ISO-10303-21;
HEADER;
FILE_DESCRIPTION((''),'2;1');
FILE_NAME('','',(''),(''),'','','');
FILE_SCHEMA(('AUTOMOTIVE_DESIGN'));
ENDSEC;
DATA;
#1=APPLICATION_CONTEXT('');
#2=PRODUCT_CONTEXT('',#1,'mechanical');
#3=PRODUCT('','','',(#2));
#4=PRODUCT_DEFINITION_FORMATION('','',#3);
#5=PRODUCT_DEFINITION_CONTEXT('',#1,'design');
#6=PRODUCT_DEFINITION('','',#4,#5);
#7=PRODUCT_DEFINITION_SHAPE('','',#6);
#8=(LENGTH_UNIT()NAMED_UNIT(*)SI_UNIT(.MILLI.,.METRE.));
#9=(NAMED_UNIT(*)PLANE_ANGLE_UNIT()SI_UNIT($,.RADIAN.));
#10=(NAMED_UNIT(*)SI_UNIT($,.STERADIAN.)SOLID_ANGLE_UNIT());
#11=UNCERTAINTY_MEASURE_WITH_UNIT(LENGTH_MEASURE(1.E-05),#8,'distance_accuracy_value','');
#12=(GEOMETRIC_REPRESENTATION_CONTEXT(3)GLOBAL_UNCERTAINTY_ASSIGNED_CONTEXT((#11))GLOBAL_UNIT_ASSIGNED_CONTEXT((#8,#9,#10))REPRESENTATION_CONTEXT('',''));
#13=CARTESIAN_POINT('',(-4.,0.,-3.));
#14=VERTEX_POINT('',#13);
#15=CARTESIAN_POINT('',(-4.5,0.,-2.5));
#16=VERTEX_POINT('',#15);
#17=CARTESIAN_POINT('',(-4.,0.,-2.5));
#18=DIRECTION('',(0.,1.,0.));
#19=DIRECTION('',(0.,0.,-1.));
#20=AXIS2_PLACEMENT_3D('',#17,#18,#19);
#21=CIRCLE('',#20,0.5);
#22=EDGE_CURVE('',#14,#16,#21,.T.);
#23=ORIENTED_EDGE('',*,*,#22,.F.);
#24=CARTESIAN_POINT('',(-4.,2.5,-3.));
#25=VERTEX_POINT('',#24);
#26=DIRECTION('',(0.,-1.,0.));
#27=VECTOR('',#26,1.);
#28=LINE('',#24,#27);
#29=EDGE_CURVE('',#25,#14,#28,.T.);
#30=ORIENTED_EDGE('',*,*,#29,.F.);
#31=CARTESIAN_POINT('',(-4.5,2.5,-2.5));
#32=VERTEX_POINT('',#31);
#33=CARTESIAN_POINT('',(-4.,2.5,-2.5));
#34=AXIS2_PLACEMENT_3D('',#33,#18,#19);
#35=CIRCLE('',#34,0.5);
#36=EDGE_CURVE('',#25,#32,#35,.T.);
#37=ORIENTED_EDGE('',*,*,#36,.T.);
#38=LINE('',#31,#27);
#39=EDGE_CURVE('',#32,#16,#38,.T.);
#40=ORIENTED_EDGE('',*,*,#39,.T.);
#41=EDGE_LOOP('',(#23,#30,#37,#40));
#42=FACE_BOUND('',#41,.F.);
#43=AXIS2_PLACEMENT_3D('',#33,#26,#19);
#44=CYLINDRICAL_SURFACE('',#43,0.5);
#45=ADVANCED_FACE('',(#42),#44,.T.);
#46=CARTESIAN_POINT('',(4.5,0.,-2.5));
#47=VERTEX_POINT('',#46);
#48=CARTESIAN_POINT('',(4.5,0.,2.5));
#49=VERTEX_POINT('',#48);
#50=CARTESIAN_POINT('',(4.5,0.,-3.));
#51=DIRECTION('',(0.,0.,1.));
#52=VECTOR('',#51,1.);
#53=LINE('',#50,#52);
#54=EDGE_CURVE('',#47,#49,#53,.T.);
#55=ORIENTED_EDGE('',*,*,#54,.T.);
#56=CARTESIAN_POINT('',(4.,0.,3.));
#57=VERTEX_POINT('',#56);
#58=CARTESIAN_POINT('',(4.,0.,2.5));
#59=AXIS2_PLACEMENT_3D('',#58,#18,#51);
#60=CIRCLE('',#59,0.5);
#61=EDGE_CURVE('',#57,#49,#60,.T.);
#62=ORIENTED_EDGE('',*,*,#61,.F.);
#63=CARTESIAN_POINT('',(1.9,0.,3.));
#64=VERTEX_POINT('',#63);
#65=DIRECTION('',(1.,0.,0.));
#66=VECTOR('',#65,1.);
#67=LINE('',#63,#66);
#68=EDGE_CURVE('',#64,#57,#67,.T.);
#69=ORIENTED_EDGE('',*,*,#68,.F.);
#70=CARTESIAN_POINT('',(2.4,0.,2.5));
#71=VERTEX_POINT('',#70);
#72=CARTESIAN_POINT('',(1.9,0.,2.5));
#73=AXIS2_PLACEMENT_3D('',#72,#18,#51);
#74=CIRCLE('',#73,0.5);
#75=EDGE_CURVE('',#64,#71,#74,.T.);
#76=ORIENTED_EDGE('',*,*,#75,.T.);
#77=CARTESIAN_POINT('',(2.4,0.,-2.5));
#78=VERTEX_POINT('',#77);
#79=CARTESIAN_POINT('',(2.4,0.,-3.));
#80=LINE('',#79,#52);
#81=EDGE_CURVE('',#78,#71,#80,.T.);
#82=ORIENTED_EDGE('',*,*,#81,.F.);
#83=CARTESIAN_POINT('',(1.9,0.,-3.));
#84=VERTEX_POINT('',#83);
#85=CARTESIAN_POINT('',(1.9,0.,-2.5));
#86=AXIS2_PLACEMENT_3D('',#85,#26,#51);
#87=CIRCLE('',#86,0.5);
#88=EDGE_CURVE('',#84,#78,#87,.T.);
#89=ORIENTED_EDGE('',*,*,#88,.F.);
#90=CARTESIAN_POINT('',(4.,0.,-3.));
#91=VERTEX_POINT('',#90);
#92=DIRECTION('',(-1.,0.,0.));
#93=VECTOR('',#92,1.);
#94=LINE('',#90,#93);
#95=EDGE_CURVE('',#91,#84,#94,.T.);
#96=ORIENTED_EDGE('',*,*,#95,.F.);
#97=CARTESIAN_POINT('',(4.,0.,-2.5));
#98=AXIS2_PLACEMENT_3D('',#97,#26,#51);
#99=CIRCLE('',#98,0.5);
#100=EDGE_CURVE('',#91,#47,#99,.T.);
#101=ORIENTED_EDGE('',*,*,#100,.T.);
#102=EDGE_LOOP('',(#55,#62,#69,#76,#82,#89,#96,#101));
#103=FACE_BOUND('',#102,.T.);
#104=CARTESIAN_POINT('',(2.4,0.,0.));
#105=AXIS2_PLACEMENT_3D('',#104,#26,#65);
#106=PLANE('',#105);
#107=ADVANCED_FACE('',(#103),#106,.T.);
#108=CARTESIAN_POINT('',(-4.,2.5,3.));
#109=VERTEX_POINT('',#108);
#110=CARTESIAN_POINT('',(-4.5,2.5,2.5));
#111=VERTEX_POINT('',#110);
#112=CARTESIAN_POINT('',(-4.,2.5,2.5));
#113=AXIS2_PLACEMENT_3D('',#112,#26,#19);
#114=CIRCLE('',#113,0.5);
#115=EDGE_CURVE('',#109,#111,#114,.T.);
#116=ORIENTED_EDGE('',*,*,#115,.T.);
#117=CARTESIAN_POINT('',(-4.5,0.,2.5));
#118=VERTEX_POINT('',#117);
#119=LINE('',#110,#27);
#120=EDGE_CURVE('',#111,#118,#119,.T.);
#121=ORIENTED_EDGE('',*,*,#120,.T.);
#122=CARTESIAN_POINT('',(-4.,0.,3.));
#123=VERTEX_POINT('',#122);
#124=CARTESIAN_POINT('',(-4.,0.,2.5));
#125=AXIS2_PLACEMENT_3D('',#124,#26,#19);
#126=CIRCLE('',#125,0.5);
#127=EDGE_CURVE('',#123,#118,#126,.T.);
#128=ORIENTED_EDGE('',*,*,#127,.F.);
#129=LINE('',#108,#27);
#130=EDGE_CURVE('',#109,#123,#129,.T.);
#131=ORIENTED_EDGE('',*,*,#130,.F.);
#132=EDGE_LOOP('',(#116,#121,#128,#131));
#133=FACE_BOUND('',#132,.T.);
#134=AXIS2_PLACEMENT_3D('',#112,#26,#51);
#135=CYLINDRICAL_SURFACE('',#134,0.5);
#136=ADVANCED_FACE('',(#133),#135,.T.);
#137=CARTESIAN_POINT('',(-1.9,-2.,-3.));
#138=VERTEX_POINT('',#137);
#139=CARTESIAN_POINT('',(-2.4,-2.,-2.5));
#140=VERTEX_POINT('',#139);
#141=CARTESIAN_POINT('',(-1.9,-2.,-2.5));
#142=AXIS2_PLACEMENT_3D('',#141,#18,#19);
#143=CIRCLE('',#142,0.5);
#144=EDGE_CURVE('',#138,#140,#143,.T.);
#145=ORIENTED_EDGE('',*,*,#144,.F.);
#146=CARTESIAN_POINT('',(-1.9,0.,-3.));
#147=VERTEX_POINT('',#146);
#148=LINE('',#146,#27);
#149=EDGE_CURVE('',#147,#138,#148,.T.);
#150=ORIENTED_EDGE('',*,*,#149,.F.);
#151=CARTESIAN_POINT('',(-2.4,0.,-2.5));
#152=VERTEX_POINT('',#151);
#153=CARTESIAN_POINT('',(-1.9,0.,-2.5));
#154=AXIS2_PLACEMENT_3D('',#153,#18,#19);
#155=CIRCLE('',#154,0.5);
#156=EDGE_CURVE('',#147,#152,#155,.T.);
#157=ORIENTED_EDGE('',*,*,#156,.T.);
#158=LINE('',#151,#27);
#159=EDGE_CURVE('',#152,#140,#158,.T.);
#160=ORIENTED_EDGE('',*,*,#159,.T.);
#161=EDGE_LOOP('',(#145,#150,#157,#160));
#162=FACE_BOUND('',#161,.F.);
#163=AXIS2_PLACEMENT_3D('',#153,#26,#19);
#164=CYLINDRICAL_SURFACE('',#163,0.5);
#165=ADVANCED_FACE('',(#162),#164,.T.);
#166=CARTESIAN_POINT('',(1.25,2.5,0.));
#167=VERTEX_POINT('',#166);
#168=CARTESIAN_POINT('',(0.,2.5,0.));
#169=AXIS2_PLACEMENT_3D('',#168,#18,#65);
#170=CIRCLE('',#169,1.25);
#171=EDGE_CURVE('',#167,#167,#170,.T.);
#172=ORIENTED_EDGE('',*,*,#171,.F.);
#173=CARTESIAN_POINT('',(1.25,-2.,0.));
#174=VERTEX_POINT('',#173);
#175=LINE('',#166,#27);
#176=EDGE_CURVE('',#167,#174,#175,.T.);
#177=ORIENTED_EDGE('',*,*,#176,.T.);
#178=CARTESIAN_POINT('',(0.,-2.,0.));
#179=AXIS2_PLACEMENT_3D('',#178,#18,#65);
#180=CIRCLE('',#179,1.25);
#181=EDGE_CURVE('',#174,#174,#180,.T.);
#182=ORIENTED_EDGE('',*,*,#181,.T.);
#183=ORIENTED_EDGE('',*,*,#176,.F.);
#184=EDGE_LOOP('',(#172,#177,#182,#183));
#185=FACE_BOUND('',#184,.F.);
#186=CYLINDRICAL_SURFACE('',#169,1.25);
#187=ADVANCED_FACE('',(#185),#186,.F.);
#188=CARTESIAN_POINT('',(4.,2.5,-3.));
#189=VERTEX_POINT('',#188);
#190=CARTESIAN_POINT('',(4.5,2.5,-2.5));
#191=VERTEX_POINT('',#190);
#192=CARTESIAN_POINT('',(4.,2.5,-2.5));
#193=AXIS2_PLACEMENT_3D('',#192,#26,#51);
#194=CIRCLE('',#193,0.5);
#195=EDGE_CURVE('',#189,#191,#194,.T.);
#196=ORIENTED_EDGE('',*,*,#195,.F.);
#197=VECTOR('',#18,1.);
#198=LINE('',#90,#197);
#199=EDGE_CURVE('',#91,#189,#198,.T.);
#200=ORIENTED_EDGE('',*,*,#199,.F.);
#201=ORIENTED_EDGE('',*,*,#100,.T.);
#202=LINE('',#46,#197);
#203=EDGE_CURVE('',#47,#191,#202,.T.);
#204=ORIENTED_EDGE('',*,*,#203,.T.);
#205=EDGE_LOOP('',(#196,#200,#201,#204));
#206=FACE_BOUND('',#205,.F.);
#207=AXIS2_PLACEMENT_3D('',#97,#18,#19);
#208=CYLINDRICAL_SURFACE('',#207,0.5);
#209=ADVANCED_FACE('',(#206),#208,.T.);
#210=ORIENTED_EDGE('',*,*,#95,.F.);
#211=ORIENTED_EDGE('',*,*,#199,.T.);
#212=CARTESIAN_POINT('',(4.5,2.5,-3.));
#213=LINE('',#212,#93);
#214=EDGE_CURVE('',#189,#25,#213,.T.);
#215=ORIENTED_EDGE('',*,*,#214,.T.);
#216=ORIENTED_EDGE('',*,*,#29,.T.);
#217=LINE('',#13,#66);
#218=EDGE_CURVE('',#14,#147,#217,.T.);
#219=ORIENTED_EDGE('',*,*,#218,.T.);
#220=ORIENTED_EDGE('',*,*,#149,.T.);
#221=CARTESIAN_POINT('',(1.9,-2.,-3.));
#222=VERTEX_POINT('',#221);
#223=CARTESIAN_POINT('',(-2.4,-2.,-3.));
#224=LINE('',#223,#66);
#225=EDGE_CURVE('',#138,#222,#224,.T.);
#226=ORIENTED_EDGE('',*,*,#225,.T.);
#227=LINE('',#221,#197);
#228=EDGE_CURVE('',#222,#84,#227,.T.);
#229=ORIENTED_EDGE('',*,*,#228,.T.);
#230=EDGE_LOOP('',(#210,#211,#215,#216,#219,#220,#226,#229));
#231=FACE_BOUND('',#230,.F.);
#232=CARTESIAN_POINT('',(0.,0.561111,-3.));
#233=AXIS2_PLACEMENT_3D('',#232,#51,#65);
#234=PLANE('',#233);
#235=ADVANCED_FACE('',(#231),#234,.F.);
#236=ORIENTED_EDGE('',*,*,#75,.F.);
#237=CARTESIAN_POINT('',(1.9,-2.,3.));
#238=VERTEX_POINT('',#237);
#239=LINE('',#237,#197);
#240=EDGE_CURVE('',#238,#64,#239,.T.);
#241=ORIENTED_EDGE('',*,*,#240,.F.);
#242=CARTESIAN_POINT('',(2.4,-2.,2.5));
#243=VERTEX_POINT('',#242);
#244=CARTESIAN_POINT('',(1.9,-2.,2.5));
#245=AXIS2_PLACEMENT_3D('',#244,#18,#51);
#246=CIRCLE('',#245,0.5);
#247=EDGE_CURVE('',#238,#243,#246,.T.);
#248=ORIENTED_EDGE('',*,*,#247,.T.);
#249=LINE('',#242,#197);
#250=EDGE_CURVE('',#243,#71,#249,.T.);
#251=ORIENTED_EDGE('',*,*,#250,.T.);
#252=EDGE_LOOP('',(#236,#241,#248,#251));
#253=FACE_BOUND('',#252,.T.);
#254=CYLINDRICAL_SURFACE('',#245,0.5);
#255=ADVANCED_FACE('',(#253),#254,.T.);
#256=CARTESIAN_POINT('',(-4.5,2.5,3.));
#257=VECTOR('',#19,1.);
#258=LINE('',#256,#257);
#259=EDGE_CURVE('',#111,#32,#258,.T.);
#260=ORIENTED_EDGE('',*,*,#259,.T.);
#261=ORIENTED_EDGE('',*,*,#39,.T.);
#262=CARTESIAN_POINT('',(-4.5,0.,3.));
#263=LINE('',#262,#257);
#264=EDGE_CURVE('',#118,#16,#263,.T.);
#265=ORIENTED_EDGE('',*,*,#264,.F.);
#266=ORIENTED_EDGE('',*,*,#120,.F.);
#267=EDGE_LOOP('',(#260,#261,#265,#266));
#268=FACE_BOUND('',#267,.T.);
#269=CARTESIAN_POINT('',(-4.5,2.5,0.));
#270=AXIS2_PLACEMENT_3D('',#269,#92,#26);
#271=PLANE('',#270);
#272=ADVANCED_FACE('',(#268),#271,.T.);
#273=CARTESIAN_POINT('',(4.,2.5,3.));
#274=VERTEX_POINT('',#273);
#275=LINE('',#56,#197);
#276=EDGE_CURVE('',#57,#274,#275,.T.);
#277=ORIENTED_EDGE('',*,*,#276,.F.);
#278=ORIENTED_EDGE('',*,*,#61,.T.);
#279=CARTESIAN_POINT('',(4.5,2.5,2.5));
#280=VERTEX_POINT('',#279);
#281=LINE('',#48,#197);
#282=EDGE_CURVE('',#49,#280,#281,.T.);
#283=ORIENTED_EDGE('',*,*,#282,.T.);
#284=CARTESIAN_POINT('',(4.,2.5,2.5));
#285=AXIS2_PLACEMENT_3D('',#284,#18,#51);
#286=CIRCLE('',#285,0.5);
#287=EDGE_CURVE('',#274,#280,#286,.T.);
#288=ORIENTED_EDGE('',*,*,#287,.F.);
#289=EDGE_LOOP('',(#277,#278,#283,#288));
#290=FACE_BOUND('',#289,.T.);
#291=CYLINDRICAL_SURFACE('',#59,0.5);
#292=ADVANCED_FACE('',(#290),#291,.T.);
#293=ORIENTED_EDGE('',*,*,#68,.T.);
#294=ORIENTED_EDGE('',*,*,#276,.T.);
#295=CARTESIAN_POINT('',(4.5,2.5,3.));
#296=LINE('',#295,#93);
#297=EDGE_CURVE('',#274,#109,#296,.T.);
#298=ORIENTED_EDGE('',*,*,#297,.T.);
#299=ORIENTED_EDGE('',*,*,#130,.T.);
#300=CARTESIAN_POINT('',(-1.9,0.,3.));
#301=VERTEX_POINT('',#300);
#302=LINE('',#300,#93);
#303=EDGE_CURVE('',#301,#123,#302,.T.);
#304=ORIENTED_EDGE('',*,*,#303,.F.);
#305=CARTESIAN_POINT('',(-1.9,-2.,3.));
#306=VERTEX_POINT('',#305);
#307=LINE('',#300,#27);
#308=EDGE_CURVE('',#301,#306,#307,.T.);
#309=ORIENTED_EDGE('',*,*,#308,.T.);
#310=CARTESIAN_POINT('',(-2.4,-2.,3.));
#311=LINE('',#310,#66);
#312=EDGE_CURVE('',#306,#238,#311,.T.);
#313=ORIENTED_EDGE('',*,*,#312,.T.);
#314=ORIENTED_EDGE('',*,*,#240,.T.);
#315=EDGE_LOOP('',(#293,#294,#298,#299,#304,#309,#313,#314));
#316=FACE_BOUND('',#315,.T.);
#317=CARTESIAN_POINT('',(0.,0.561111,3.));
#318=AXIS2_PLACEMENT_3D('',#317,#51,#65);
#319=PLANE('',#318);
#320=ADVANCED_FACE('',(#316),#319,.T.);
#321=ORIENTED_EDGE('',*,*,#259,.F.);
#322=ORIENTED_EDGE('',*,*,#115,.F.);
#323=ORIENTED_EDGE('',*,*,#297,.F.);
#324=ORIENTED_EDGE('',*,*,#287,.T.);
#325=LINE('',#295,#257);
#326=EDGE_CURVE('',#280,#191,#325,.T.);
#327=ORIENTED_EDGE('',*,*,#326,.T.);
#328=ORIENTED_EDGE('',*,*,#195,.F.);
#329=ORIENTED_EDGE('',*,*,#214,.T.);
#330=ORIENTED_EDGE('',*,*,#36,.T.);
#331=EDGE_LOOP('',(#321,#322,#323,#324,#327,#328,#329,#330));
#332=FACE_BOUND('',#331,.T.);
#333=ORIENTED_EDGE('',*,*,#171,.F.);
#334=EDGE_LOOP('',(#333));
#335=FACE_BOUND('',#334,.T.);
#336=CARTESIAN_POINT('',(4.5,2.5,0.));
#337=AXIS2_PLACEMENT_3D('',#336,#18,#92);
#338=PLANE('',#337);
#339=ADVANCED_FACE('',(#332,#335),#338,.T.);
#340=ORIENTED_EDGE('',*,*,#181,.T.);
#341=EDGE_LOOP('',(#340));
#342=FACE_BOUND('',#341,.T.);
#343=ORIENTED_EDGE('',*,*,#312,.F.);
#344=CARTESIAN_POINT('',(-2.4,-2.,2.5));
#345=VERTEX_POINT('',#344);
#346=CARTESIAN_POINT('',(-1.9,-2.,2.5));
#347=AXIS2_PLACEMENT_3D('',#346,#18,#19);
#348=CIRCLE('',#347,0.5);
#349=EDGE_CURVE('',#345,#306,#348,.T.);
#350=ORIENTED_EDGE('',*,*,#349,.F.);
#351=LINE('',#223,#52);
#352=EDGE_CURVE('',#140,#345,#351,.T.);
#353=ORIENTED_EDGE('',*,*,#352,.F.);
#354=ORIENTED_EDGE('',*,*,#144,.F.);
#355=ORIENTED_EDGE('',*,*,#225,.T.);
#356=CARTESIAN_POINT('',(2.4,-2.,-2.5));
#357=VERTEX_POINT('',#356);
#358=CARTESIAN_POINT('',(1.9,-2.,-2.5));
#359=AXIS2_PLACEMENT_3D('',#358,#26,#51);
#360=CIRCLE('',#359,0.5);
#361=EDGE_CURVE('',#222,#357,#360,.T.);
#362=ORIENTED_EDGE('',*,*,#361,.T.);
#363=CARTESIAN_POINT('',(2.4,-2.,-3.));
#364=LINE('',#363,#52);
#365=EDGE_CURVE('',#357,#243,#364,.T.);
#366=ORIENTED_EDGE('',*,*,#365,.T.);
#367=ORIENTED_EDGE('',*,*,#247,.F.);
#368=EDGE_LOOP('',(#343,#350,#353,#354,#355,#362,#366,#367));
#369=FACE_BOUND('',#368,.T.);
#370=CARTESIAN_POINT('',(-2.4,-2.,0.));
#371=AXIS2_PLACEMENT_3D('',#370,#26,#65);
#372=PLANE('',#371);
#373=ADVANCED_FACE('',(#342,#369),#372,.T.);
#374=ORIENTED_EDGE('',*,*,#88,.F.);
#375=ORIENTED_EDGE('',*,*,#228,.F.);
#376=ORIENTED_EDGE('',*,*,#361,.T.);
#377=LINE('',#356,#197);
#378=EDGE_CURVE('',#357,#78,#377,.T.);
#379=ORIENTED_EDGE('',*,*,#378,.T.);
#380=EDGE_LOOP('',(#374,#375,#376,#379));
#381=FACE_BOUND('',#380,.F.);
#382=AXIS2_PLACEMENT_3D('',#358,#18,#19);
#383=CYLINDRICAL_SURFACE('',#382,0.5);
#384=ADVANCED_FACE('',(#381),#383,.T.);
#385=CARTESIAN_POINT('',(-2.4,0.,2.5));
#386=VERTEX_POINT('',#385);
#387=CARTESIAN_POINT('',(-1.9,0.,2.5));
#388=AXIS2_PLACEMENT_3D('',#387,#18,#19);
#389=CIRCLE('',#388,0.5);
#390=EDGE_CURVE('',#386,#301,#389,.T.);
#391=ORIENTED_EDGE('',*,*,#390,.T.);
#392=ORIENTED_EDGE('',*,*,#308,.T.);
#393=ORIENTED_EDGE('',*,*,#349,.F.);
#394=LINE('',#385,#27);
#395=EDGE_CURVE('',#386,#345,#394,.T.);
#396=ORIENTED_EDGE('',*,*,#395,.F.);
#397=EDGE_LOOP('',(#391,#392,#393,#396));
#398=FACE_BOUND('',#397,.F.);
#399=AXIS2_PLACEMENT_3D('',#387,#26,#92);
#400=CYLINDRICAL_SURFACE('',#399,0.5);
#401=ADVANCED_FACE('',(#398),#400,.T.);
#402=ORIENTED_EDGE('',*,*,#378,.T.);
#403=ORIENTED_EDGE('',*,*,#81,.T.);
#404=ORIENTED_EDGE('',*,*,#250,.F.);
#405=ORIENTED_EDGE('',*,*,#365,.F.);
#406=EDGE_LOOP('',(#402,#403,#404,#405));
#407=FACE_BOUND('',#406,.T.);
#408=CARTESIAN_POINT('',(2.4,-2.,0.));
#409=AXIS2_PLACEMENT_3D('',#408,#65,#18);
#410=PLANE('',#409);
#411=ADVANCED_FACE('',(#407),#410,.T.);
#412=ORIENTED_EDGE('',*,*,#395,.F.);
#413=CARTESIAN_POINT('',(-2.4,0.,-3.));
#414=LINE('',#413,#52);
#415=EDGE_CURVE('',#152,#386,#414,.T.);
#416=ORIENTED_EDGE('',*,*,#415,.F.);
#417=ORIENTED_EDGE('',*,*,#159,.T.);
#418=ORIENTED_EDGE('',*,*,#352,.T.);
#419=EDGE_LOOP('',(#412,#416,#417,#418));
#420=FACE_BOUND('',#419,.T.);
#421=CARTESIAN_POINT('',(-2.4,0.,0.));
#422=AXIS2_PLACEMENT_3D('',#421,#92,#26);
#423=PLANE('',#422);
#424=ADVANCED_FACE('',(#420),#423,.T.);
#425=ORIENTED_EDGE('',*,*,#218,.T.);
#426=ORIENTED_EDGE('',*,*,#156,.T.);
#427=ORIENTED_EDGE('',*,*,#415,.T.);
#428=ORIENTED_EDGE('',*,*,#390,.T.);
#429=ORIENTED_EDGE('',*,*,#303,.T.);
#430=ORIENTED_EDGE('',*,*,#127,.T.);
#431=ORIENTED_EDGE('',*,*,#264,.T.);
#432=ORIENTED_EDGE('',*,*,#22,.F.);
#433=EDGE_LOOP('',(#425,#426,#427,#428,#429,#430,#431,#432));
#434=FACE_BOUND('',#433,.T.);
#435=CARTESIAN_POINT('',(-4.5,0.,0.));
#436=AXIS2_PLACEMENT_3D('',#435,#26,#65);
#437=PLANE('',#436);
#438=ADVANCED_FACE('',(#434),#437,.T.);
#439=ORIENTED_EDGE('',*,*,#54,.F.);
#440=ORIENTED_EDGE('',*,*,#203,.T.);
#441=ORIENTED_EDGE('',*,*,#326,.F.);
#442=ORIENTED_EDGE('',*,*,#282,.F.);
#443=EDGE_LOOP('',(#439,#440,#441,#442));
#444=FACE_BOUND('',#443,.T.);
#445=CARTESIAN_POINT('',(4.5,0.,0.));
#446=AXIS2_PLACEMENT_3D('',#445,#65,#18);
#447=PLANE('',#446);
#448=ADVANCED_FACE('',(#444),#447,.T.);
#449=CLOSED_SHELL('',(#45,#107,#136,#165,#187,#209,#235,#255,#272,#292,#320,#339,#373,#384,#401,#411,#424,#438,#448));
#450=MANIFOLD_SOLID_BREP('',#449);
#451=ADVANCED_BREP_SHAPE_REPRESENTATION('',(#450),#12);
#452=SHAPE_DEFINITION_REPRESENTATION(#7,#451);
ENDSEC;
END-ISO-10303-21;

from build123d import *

# Parameters (mm, degrees)
BOSS_EXTRU_1_DEPTH      = 3
ESQUISSE2_R             = 1.25
ENL_V_MAT_EXTRU_1_DEPTH = 5.5
CONG_1_R                = 0.5


with BuildPart() as part:
    # Esquisse1 → Boss.-Extru.1 (new body, symmetric)
    with BuildSketch(Plane.XY):
        Polygon((-4.5, 0), (-2.4, 0), (-2.4, -2), (2.4, -2), (2.4, 0), (4.5, 0), (4.5, 2.5), (-4.5, 2.5), align=None)
    extrude(amount=BOSS_EXTRU_1_DEPTH, both=True)

    # Esquisse2 → Enlèv. mat.-Extru.1 (cut, through all)
    with BuildSketch(Plane(origin=(0, 2.5, 0), x_dir=(1, 0, 0), z_dir=(0, 1, 0))):
        Circle(ESQUISSE2_R)
    extrude(amount=-ENL_V_MAT_EXTRU_1_DEPTH, mode=Mode.SUBTRACT)

    # Congé1
    cong_1_edges = [part.edges().sort_by_distance(p)[0] for p in [
        (-4.5, 1.25, -3),
        (4.5, 1.25, -3),
        (-4.5, 1.25, 3),
        (-2.4, -1, 3),
        (2.4, -1, 3),
        (4.5, 1.25, 3),
        (2.4, -1, -3),
        (-2.4, -1, -3),
    ]]
    fillet(cong_1_edges, radius=CONG_1_R)


solid = part.part
